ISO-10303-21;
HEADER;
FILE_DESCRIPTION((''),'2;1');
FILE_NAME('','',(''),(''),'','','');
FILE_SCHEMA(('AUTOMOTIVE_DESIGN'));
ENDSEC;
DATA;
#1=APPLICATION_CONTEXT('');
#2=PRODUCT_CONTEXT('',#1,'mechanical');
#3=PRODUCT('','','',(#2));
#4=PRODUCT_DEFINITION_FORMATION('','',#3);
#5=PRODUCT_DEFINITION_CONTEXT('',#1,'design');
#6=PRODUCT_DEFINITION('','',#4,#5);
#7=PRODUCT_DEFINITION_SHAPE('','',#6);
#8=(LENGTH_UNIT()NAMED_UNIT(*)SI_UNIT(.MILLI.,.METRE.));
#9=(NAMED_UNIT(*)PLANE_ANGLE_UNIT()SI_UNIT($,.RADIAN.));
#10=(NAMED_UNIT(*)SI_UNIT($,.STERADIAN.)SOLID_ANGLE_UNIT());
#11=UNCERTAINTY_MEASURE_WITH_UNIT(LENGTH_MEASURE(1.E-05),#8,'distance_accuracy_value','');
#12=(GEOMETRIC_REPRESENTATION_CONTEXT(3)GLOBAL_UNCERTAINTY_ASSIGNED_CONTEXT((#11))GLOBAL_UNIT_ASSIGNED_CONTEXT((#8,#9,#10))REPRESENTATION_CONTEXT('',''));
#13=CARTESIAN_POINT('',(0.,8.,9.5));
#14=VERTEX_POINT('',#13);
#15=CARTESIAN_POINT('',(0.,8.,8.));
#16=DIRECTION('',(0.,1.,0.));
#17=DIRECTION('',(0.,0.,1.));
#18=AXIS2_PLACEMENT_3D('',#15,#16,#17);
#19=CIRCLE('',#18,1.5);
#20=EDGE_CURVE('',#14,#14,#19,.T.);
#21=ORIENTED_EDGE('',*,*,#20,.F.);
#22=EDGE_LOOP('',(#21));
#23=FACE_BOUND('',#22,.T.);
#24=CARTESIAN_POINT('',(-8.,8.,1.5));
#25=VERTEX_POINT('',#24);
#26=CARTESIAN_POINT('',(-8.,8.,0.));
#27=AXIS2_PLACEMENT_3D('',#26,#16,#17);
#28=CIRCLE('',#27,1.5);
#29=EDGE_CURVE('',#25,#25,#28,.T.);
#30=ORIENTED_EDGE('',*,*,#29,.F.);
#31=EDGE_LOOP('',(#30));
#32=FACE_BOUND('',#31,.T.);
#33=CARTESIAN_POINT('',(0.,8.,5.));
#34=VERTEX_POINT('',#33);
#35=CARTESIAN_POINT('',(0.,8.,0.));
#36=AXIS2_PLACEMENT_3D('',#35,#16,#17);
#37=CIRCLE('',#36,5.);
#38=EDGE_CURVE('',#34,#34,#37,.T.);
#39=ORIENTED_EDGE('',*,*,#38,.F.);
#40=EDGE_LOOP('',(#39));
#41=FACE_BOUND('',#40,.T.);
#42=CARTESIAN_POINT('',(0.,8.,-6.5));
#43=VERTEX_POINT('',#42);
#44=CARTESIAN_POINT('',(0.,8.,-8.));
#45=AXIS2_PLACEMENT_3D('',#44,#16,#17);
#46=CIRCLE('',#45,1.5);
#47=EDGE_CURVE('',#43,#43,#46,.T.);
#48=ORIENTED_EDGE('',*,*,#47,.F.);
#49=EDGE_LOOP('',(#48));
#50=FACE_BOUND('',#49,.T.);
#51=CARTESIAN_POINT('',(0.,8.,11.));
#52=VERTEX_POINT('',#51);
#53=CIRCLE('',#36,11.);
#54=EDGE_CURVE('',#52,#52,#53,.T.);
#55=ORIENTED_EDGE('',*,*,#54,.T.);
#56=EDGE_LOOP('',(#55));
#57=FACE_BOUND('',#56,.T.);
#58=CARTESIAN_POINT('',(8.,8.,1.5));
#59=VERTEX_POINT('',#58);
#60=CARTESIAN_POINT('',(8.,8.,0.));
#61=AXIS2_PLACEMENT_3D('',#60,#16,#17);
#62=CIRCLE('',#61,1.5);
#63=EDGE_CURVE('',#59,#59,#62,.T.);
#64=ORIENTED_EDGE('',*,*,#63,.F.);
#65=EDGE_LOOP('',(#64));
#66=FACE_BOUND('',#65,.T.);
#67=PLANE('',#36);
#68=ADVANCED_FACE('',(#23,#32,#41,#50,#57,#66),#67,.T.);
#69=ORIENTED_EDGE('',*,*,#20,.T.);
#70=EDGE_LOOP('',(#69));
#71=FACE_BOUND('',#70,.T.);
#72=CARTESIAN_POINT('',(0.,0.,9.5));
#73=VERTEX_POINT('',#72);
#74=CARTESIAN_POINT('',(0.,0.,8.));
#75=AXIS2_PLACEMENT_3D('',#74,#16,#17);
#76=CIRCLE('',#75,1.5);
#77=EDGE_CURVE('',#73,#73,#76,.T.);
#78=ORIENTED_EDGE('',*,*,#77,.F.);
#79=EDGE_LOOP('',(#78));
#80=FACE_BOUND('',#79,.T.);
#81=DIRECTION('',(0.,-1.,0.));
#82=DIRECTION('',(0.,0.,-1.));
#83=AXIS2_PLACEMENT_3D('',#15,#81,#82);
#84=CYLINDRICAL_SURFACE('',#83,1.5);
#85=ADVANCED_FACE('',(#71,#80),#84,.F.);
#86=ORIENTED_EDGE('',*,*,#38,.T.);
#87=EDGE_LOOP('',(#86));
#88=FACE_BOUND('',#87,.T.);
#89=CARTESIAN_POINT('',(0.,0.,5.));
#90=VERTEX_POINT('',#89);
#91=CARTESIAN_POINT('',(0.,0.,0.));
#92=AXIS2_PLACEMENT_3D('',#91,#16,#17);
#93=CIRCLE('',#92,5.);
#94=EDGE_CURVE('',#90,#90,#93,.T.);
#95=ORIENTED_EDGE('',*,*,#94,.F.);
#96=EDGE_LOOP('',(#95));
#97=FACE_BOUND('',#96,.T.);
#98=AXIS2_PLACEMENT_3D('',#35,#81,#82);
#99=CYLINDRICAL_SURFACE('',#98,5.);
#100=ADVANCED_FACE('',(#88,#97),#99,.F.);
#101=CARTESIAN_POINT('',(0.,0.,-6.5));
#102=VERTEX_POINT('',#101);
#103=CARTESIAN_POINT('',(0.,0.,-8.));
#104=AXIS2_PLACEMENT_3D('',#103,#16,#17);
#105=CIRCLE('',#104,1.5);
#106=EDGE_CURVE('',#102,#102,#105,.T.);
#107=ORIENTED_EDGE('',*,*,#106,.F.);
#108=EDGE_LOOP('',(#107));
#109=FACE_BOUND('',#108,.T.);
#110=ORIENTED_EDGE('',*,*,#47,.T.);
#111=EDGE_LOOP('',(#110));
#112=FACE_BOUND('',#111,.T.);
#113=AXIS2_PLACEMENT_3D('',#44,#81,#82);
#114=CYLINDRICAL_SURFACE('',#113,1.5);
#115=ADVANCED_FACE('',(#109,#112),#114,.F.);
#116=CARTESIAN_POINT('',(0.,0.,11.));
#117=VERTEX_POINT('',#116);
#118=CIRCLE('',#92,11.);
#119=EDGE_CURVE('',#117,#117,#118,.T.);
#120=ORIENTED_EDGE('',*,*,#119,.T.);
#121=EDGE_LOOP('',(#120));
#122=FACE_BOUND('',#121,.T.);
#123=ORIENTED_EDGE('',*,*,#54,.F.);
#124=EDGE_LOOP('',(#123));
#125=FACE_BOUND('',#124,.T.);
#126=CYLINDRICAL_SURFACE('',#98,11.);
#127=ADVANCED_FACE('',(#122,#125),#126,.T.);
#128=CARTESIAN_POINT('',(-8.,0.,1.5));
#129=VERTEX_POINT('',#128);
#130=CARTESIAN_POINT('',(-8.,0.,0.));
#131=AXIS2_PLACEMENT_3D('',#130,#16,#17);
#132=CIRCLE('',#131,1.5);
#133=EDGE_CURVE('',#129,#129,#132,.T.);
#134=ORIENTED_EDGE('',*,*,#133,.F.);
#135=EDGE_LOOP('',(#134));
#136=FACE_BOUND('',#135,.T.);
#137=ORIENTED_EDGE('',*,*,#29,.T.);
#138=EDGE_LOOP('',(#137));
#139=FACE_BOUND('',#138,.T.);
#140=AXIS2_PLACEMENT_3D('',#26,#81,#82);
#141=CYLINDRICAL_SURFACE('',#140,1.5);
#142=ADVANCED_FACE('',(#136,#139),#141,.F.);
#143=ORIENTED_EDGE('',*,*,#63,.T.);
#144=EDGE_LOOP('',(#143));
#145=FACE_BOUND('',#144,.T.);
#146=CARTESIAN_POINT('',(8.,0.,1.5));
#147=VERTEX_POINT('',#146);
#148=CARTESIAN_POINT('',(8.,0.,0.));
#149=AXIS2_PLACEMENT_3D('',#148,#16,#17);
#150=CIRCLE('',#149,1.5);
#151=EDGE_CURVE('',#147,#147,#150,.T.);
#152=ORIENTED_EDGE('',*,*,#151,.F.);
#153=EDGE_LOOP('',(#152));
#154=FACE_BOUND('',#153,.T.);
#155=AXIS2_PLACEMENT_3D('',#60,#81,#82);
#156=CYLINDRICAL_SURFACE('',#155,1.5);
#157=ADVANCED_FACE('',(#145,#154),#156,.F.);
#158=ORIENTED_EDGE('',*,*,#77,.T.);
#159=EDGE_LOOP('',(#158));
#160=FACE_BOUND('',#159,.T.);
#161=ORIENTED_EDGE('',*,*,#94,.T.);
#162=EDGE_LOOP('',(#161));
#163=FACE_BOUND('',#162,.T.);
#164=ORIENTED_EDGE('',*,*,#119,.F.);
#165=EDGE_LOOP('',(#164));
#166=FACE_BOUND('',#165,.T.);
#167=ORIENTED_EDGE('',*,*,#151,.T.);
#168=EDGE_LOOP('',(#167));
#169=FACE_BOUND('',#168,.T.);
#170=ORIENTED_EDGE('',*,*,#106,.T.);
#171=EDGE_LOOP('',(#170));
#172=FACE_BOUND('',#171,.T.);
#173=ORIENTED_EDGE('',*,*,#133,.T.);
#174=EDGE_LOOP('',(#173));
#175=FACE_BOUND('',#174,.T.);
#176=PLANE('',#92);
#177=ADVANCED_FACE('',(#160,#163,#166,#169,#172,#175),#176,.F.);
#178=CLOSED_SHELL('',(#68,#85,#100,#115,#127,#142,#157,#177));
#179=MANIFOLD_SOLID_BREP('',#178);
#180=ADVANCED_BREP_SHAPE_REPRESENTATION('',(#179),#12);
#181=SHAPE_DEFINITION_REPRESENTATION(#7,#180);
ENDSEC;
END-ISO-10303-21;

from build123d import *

# Parameters (mm, degrees)
SKETCH_1_R      = 11
SKETCH_1_R_2    = 5
SKETCH_1_R_3    = 1.5
EXTRUDE_1_DEPTH = 8


with BuildPart() as part:
    # 草图1 → 凸台-拉伸1 (new body)
    with BuildSketch(Plane(origin=(0, 0, 0), x_dir=(1, 0, 0), z_dir=(0, 1, 0))):
        with Locations(Location((0, 0, 0), (0, 0, 270))):
            Circle(SKETCH_1_R)
        with Locations(Location((0, 0, 0), (0, 0, 270))):
            Circle(SKETCH_1_R_2, mode=Mode.SUBTRACT)
        with Locations(Location((0, 8, 0), (0, 0, 270))):
            Circle(SKETCH_1_R_3, mode=Mode.SUBTRACT)
        with Locations(Location((8, 0, 0), (0, 0, 270))):
            Circle(SKETCH_1_R_3, mode=Mode.SUBTRACT)
        with Locations(Location((0, -8, 0), (0, 0, 270))):
            Circle(SKETCH_1_R_3, mode=Mode.SUBTRACT)
        with Locations(Location((-8, 0, 0), (0, 0, 270))):
            Circle(SKETCH_1_R_3, mode=Mode.SUBTRACT)
    extrude(amount=EXTRUDE_1_DEPTH)


solid = part.part
